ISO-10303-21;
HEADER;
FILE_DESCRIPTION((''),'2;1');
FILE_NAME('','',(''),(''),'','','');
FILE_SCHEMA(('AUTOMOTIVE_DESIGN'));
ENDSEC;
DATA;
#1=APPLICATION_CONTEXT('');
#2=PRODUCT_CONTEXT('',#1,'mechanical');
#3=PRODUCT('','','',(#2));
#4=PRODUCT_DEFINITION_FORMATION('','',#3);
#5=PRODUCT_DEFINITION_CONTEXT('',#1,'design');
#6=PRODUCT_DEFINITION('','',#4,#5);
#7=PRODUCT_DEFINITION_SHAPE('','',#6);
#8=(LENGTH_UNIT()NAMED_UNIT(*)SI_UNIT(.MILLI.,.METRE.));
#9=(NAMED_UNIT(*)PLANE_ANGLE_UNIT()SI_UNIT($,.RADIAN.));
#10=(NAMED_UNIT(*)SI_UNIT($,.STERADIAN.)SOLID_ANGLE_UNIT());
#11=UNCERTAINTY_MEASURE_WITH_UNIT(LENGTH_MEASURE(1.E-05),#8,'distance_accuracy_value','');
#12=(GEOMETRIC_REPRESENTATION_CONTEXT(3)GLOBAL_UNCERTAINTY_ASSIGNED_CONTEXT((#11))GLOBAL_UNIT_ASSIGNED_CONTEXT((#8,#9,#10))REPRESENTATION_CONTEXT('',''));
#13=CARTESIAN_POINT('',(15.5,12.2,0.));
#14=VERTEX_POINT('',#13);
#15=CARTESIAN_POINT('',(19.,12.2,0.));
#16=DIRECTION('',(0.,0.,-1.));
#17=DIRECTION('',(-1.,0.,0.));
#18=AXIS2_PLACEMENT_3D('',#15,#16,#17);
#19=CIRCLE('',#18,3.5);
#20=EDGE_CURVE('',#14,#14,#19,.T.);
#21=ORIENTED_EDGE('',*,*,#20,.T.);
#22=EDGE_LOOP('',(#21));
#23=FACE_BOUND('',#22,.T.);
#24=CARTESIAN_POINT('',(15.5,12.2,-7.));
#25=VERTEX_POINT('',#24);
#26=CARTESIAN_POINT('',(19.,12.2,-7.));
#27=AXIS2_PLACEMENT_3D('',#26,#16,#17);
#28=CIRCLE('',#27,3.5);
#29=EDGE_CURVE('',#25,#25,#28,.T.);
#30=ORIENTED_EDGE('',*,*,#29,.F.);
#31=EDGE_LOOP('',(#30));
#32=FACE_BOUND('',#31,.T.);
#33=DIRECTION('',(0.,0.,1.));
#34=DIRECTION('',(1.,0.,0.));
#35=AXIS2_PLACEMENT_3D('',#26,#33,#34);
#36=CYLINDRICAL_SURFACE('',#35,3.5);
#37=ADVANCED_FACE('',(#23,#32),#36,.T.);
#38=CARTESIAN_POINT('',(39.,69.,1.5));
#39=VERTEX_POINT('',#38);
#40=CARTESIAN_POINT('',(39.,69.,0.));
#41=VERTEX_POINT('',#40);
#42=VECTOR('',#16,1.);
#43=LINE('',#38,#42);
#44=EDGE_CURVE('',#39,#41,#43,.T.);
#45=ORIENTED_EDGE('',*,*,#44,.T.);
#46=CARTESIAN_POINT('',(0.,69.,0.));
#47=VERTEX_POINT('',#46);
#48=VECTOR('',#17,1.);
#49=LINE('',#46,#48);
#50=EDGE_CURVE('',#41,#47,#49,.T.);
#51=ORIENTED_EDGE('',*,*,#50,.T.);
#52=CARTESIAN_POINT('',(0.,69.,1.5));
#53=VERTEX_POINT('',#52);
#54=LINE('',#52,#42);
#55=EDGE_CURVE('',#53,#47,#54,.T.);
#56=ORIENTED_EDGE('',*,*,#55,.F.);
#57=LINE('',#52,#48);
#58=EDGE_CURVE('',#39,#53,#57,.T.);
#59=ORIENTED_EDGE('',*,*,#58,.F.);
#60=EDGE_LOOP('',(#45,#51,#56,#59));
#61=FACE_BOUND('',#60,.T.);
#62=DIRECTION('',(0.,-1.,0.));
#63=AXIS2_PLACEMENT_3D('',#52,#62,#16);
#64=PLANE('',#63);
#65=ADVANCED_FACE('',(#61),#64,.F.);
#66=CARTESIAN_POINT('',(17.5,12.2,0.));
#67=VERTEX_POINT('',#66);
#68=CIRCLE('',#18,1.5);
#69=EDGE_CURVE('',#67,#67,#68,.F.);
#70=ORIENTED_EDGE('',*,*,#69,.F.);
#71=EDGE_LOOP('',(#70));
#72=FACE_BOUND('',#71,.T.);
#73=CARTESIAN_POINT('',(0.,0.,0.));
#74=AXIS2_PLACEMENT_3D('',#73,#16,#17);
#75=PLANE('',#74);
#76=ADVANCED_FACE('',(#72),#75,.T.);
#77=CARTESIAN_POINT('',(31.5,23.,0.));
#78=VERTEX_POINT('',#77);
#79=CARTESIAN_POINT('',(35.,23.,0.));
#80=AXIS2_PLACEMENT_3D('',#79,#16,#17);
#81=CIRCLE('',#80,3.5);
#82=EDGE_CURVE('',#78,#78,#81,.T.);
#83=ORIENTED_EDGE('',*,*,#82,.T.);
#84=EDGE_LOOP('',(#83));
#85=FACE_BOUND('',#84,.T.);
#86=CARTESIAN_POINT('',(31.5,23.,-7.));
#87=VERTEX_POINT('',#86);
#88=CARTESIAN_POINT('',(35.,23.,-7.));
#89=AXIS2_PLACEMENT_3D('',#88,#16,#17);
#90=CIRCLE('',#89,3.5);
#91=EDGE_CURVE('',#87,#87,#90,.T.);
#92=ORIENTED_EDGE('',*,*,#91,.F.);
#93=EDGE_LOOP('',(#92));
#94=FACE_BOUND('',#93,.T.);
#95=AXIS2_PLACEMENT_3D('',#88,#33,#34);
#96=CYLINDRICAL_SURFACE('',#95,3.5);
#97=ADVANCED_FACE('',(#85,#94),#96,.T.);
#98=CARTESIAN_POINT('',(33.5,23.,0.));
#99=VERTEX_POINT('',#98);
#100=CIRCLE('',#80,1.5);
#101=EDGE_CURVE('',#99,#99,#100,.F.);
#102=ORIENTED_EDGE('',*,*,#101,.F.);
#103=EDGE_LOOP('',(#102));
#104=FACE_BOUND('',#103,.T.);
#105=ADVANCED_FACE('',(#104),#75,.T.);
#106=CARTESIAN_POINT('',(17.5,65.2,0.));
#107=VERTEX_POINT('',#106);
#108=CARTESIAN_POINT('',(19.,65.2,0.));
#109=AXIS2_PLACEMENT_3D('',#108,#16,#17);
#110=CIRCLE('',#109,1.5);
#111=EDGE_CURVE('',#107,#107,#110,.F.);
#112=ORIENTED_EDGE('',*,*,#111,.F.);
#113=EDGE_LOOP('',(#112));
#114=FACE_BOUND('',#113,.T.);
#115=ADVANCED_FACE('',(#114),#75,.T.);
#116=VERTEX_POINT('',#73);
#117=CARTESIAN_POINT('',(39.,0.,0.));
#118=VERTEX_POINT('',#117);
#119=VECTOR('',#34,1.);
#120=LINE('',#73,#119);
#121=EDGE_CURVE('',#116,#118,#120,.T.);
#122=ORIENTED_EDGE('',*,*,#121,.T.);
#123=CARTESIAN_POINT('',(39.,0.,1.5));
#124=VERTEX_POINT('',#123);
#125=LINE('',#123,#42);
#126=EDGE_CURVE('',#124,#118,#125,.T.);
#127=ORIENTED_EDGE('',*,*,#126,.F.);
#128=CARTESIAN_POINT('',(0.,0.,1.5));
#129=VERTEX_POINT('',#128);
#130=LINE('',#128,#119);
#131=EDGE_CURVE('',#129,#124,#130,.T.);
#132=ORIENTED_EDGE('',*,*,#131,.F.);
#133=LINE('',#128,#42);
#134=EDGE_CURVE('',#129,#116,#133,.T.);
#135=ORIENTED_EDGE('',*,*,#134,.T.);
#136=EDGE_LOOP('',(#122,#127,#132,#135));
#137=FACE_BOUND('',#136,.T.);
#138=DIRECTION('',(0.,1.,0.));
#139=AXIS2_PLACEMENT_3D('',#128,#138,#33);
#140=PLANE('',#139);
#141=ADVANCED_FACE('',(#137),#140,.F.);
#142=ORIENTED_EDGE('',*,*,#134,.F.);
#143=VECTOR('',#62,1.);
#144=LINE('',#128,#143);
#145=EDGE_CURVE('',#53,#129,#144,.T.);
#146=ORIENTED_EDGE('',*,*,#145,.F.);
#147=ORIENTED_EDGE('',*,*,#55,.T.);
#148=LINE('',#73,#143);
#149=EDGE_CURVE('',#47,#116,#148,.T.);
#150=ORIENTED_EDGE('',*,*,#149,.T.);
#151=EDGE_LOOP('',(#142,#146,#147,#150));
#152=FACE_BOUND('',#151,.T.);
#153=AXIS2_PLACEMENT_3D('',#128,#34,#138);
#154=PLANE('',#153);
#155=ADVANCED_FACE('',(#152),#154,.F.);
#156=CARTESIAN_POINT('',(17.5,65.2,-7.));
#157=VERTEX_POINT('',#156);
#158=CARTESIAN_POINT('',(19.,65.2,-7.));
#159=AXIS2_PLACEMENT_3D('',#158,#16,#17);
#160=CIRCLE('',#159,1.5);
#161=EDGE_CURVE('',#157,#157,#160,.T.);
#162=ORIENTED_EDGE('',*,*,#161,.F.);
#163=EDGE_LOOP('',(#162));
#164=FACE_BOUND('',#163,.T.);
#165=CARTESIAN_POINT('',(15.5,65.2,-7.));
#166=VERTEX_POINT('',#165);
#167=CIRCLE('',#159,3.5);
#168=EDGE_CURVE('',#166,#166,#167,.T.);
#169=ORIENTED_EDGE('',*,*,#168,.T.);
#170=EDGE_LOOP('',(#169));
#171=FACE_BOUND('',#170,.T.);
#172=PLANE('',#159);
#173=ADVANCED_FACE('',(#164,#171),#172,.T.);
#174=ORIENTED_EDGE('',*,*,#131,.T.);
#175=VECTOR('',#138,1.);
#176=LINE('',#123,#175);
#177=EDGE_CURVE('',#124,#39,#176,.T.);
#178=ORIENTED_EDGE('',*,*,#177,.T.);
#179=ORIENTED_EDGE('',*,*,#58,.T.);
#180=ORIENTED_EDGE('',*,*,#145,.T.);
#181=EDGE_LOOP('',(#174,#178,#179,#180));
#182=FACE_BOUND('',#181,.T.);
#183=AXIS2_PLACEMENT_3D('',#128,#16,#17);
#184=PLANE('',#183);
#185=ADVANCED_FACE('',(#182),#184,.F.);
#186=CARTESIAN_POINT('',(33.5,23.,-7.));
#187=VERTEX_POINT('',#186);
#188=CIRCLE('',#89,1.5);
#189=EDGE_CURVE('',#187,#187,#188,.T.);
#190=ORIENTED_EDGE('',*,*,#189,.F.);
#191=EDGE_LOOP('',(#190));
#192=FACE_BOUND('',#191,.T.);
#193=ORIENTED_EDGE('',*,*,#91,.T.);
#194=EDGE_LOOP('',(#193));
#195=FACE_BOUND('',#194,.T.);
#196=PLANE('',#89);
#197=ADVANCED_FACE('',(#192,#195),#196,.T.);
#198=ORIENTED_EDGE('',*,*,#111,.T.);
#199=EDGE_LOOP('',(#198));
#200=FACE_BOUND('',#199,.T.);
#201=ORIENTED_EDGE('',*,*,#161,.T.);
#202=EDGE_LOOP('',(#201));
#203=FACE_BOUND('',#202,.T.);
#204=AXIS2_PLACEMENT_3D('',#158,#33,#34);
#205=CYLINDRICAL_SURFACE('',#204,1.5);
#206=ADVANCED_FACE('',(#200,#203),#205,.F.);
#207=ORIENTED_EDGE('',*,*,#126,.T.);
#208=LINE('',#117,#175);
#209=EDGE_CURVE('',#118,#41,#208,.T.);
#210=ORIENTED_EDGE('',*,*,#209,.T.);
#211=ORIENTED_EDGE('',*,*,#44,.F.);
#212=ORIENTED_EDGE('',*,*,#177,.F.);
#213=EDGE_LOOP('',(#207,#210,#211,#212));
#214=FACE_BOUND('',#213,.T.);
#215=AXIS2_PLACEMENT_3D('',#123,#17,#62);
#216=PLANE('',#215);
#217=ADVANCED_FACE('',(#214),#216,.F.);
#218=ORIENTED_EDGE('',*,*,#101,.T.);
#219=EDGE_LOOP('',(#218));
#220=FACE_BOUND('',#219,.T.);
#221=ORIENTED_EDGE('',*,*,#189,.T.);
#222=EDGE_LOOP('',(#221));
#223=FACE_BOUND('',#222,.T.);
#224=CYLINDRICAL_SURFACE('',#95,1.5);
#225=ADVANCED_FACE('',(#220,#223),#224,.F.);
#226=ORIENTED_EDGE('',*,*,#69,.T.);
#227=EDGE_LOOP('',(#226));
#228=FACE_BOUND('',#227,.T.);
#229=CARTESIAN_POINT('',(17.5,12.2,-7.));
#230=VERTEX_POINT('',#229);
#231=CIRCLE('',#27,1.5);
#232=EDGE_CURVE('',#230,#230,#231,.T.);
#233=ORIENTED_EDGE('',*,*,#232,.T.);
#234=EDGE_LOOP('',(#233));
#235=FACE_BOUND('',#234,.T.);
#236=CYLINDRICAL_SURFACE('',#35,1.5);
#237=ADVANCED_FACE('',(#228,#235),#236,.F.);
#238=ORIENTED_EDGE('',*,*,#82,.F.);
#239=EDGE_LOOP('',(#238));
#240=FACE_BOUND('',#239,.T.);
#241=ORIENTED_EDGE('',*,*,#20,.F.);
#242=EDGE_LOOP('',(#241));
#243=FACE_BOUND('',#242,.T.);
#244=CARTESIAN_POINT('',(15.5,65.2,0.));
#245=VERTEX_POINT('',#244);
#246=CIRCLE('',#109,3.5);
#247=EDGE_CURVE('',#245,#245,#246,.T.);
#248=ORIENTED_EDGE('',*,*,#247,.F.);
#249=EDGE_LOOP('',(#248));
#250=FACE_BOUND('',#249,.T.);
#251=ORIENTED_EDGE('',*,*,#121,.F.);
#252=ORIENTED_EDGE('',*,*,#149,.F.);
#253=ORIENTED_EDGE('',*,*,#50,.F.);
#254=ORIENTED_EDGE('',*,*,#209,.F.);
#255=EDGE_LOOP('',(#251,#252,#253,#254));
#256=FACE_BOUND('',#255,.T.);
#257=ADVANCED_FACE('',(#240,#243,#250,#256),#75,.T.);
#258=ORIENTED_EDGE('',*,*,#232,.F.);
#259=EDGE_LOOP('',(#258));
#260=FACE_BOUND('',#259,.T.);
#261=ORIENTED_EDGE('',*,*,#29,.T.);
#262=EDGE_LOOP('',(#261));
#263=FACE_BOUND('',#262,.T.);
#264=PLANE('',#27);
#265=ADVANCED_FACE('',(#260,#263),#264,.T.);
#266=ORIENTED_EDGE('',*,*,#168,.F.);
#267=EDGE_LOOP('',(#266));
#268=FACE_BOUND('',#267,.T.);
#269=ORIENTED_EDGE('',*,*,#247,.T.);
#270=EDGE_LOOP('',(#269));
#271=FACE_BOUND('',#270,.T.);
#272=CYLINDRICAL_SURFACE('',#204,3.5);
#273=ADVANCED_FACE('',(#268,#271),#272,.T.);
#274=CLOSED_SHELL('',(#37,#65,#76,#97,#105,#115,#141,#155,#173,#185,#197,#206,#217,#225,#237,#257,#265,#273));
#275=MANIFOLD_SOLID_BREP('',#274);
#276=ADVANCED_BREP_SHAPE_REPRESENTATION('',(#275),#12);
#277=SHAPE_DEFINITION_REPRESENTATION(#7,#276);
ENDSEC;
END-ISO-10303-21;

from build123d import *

# Parameters (mm, degrees)
SKETCH_1_W      = 39
SKETCH_1_H      = 69
EXTRUDE_1_DEPTH = 1.5
SKETCH_2_R      = 3.5
SKETCH_2_R_2    = 1.5
EXTRUDE_2_DEPTH = 7


with BuildPart() as part:
    # Эскиз1 → Бобышка-Вытянуть1 (new body)
    with BuildSketch(Plane.XY):
        with Locations((19.5, 34.5)):
            Rectangle(SKETCH_1_W, SKETCH_1_H)
    extrude(amount=EXTRUDE_1_DEPTH)

    # Эскиз2 → Бобышка-Вытянуть2 (add)
    # profile 1 of 3: a face of its own
    with BuildSketch(Plane(origin=(0, 0, 0), x_dir=(-1, 0, 0), z_dir=(0, 0, -1))):
        with Locations((-19, 65.2)):
            Circle(SKETCH_2_R)
        with Locations((-19, 65.2)):
            Circle(SKETCH_2_R_2, mode=Mode.SUBTRACT)
    # profile 2 of 3: a face of its own
    with BuildSketch(Plane(origin=(0, 0, 0), x_dir=(-1, 0, 0), z_dir=(0, 0, -1))):
        with Locations((-35, 23)):
            Circle(SKETCH_2_R)
        with Locations((-35, 23)):
            Circle(SKETCH_2_R_2, mode=Mode.SUBTRACT)
    # profile 3 of 3: a face of its own
    with BuildSketch(Plane(origin=(0, 0, 0), x_dir=(-1, 0, 0), z_dir=(0, 0, -1))):
        with Locations((-19, 12.2)):
            Circle(SKETCH_2_R)
        with Locations((-19, 12.2)):
            Circle(SKETCH_2_R_2, mode=Mode.SUBTRACT)
    extrude(amount=EXTRUDE_2_DEPTH)


solid = part.part
